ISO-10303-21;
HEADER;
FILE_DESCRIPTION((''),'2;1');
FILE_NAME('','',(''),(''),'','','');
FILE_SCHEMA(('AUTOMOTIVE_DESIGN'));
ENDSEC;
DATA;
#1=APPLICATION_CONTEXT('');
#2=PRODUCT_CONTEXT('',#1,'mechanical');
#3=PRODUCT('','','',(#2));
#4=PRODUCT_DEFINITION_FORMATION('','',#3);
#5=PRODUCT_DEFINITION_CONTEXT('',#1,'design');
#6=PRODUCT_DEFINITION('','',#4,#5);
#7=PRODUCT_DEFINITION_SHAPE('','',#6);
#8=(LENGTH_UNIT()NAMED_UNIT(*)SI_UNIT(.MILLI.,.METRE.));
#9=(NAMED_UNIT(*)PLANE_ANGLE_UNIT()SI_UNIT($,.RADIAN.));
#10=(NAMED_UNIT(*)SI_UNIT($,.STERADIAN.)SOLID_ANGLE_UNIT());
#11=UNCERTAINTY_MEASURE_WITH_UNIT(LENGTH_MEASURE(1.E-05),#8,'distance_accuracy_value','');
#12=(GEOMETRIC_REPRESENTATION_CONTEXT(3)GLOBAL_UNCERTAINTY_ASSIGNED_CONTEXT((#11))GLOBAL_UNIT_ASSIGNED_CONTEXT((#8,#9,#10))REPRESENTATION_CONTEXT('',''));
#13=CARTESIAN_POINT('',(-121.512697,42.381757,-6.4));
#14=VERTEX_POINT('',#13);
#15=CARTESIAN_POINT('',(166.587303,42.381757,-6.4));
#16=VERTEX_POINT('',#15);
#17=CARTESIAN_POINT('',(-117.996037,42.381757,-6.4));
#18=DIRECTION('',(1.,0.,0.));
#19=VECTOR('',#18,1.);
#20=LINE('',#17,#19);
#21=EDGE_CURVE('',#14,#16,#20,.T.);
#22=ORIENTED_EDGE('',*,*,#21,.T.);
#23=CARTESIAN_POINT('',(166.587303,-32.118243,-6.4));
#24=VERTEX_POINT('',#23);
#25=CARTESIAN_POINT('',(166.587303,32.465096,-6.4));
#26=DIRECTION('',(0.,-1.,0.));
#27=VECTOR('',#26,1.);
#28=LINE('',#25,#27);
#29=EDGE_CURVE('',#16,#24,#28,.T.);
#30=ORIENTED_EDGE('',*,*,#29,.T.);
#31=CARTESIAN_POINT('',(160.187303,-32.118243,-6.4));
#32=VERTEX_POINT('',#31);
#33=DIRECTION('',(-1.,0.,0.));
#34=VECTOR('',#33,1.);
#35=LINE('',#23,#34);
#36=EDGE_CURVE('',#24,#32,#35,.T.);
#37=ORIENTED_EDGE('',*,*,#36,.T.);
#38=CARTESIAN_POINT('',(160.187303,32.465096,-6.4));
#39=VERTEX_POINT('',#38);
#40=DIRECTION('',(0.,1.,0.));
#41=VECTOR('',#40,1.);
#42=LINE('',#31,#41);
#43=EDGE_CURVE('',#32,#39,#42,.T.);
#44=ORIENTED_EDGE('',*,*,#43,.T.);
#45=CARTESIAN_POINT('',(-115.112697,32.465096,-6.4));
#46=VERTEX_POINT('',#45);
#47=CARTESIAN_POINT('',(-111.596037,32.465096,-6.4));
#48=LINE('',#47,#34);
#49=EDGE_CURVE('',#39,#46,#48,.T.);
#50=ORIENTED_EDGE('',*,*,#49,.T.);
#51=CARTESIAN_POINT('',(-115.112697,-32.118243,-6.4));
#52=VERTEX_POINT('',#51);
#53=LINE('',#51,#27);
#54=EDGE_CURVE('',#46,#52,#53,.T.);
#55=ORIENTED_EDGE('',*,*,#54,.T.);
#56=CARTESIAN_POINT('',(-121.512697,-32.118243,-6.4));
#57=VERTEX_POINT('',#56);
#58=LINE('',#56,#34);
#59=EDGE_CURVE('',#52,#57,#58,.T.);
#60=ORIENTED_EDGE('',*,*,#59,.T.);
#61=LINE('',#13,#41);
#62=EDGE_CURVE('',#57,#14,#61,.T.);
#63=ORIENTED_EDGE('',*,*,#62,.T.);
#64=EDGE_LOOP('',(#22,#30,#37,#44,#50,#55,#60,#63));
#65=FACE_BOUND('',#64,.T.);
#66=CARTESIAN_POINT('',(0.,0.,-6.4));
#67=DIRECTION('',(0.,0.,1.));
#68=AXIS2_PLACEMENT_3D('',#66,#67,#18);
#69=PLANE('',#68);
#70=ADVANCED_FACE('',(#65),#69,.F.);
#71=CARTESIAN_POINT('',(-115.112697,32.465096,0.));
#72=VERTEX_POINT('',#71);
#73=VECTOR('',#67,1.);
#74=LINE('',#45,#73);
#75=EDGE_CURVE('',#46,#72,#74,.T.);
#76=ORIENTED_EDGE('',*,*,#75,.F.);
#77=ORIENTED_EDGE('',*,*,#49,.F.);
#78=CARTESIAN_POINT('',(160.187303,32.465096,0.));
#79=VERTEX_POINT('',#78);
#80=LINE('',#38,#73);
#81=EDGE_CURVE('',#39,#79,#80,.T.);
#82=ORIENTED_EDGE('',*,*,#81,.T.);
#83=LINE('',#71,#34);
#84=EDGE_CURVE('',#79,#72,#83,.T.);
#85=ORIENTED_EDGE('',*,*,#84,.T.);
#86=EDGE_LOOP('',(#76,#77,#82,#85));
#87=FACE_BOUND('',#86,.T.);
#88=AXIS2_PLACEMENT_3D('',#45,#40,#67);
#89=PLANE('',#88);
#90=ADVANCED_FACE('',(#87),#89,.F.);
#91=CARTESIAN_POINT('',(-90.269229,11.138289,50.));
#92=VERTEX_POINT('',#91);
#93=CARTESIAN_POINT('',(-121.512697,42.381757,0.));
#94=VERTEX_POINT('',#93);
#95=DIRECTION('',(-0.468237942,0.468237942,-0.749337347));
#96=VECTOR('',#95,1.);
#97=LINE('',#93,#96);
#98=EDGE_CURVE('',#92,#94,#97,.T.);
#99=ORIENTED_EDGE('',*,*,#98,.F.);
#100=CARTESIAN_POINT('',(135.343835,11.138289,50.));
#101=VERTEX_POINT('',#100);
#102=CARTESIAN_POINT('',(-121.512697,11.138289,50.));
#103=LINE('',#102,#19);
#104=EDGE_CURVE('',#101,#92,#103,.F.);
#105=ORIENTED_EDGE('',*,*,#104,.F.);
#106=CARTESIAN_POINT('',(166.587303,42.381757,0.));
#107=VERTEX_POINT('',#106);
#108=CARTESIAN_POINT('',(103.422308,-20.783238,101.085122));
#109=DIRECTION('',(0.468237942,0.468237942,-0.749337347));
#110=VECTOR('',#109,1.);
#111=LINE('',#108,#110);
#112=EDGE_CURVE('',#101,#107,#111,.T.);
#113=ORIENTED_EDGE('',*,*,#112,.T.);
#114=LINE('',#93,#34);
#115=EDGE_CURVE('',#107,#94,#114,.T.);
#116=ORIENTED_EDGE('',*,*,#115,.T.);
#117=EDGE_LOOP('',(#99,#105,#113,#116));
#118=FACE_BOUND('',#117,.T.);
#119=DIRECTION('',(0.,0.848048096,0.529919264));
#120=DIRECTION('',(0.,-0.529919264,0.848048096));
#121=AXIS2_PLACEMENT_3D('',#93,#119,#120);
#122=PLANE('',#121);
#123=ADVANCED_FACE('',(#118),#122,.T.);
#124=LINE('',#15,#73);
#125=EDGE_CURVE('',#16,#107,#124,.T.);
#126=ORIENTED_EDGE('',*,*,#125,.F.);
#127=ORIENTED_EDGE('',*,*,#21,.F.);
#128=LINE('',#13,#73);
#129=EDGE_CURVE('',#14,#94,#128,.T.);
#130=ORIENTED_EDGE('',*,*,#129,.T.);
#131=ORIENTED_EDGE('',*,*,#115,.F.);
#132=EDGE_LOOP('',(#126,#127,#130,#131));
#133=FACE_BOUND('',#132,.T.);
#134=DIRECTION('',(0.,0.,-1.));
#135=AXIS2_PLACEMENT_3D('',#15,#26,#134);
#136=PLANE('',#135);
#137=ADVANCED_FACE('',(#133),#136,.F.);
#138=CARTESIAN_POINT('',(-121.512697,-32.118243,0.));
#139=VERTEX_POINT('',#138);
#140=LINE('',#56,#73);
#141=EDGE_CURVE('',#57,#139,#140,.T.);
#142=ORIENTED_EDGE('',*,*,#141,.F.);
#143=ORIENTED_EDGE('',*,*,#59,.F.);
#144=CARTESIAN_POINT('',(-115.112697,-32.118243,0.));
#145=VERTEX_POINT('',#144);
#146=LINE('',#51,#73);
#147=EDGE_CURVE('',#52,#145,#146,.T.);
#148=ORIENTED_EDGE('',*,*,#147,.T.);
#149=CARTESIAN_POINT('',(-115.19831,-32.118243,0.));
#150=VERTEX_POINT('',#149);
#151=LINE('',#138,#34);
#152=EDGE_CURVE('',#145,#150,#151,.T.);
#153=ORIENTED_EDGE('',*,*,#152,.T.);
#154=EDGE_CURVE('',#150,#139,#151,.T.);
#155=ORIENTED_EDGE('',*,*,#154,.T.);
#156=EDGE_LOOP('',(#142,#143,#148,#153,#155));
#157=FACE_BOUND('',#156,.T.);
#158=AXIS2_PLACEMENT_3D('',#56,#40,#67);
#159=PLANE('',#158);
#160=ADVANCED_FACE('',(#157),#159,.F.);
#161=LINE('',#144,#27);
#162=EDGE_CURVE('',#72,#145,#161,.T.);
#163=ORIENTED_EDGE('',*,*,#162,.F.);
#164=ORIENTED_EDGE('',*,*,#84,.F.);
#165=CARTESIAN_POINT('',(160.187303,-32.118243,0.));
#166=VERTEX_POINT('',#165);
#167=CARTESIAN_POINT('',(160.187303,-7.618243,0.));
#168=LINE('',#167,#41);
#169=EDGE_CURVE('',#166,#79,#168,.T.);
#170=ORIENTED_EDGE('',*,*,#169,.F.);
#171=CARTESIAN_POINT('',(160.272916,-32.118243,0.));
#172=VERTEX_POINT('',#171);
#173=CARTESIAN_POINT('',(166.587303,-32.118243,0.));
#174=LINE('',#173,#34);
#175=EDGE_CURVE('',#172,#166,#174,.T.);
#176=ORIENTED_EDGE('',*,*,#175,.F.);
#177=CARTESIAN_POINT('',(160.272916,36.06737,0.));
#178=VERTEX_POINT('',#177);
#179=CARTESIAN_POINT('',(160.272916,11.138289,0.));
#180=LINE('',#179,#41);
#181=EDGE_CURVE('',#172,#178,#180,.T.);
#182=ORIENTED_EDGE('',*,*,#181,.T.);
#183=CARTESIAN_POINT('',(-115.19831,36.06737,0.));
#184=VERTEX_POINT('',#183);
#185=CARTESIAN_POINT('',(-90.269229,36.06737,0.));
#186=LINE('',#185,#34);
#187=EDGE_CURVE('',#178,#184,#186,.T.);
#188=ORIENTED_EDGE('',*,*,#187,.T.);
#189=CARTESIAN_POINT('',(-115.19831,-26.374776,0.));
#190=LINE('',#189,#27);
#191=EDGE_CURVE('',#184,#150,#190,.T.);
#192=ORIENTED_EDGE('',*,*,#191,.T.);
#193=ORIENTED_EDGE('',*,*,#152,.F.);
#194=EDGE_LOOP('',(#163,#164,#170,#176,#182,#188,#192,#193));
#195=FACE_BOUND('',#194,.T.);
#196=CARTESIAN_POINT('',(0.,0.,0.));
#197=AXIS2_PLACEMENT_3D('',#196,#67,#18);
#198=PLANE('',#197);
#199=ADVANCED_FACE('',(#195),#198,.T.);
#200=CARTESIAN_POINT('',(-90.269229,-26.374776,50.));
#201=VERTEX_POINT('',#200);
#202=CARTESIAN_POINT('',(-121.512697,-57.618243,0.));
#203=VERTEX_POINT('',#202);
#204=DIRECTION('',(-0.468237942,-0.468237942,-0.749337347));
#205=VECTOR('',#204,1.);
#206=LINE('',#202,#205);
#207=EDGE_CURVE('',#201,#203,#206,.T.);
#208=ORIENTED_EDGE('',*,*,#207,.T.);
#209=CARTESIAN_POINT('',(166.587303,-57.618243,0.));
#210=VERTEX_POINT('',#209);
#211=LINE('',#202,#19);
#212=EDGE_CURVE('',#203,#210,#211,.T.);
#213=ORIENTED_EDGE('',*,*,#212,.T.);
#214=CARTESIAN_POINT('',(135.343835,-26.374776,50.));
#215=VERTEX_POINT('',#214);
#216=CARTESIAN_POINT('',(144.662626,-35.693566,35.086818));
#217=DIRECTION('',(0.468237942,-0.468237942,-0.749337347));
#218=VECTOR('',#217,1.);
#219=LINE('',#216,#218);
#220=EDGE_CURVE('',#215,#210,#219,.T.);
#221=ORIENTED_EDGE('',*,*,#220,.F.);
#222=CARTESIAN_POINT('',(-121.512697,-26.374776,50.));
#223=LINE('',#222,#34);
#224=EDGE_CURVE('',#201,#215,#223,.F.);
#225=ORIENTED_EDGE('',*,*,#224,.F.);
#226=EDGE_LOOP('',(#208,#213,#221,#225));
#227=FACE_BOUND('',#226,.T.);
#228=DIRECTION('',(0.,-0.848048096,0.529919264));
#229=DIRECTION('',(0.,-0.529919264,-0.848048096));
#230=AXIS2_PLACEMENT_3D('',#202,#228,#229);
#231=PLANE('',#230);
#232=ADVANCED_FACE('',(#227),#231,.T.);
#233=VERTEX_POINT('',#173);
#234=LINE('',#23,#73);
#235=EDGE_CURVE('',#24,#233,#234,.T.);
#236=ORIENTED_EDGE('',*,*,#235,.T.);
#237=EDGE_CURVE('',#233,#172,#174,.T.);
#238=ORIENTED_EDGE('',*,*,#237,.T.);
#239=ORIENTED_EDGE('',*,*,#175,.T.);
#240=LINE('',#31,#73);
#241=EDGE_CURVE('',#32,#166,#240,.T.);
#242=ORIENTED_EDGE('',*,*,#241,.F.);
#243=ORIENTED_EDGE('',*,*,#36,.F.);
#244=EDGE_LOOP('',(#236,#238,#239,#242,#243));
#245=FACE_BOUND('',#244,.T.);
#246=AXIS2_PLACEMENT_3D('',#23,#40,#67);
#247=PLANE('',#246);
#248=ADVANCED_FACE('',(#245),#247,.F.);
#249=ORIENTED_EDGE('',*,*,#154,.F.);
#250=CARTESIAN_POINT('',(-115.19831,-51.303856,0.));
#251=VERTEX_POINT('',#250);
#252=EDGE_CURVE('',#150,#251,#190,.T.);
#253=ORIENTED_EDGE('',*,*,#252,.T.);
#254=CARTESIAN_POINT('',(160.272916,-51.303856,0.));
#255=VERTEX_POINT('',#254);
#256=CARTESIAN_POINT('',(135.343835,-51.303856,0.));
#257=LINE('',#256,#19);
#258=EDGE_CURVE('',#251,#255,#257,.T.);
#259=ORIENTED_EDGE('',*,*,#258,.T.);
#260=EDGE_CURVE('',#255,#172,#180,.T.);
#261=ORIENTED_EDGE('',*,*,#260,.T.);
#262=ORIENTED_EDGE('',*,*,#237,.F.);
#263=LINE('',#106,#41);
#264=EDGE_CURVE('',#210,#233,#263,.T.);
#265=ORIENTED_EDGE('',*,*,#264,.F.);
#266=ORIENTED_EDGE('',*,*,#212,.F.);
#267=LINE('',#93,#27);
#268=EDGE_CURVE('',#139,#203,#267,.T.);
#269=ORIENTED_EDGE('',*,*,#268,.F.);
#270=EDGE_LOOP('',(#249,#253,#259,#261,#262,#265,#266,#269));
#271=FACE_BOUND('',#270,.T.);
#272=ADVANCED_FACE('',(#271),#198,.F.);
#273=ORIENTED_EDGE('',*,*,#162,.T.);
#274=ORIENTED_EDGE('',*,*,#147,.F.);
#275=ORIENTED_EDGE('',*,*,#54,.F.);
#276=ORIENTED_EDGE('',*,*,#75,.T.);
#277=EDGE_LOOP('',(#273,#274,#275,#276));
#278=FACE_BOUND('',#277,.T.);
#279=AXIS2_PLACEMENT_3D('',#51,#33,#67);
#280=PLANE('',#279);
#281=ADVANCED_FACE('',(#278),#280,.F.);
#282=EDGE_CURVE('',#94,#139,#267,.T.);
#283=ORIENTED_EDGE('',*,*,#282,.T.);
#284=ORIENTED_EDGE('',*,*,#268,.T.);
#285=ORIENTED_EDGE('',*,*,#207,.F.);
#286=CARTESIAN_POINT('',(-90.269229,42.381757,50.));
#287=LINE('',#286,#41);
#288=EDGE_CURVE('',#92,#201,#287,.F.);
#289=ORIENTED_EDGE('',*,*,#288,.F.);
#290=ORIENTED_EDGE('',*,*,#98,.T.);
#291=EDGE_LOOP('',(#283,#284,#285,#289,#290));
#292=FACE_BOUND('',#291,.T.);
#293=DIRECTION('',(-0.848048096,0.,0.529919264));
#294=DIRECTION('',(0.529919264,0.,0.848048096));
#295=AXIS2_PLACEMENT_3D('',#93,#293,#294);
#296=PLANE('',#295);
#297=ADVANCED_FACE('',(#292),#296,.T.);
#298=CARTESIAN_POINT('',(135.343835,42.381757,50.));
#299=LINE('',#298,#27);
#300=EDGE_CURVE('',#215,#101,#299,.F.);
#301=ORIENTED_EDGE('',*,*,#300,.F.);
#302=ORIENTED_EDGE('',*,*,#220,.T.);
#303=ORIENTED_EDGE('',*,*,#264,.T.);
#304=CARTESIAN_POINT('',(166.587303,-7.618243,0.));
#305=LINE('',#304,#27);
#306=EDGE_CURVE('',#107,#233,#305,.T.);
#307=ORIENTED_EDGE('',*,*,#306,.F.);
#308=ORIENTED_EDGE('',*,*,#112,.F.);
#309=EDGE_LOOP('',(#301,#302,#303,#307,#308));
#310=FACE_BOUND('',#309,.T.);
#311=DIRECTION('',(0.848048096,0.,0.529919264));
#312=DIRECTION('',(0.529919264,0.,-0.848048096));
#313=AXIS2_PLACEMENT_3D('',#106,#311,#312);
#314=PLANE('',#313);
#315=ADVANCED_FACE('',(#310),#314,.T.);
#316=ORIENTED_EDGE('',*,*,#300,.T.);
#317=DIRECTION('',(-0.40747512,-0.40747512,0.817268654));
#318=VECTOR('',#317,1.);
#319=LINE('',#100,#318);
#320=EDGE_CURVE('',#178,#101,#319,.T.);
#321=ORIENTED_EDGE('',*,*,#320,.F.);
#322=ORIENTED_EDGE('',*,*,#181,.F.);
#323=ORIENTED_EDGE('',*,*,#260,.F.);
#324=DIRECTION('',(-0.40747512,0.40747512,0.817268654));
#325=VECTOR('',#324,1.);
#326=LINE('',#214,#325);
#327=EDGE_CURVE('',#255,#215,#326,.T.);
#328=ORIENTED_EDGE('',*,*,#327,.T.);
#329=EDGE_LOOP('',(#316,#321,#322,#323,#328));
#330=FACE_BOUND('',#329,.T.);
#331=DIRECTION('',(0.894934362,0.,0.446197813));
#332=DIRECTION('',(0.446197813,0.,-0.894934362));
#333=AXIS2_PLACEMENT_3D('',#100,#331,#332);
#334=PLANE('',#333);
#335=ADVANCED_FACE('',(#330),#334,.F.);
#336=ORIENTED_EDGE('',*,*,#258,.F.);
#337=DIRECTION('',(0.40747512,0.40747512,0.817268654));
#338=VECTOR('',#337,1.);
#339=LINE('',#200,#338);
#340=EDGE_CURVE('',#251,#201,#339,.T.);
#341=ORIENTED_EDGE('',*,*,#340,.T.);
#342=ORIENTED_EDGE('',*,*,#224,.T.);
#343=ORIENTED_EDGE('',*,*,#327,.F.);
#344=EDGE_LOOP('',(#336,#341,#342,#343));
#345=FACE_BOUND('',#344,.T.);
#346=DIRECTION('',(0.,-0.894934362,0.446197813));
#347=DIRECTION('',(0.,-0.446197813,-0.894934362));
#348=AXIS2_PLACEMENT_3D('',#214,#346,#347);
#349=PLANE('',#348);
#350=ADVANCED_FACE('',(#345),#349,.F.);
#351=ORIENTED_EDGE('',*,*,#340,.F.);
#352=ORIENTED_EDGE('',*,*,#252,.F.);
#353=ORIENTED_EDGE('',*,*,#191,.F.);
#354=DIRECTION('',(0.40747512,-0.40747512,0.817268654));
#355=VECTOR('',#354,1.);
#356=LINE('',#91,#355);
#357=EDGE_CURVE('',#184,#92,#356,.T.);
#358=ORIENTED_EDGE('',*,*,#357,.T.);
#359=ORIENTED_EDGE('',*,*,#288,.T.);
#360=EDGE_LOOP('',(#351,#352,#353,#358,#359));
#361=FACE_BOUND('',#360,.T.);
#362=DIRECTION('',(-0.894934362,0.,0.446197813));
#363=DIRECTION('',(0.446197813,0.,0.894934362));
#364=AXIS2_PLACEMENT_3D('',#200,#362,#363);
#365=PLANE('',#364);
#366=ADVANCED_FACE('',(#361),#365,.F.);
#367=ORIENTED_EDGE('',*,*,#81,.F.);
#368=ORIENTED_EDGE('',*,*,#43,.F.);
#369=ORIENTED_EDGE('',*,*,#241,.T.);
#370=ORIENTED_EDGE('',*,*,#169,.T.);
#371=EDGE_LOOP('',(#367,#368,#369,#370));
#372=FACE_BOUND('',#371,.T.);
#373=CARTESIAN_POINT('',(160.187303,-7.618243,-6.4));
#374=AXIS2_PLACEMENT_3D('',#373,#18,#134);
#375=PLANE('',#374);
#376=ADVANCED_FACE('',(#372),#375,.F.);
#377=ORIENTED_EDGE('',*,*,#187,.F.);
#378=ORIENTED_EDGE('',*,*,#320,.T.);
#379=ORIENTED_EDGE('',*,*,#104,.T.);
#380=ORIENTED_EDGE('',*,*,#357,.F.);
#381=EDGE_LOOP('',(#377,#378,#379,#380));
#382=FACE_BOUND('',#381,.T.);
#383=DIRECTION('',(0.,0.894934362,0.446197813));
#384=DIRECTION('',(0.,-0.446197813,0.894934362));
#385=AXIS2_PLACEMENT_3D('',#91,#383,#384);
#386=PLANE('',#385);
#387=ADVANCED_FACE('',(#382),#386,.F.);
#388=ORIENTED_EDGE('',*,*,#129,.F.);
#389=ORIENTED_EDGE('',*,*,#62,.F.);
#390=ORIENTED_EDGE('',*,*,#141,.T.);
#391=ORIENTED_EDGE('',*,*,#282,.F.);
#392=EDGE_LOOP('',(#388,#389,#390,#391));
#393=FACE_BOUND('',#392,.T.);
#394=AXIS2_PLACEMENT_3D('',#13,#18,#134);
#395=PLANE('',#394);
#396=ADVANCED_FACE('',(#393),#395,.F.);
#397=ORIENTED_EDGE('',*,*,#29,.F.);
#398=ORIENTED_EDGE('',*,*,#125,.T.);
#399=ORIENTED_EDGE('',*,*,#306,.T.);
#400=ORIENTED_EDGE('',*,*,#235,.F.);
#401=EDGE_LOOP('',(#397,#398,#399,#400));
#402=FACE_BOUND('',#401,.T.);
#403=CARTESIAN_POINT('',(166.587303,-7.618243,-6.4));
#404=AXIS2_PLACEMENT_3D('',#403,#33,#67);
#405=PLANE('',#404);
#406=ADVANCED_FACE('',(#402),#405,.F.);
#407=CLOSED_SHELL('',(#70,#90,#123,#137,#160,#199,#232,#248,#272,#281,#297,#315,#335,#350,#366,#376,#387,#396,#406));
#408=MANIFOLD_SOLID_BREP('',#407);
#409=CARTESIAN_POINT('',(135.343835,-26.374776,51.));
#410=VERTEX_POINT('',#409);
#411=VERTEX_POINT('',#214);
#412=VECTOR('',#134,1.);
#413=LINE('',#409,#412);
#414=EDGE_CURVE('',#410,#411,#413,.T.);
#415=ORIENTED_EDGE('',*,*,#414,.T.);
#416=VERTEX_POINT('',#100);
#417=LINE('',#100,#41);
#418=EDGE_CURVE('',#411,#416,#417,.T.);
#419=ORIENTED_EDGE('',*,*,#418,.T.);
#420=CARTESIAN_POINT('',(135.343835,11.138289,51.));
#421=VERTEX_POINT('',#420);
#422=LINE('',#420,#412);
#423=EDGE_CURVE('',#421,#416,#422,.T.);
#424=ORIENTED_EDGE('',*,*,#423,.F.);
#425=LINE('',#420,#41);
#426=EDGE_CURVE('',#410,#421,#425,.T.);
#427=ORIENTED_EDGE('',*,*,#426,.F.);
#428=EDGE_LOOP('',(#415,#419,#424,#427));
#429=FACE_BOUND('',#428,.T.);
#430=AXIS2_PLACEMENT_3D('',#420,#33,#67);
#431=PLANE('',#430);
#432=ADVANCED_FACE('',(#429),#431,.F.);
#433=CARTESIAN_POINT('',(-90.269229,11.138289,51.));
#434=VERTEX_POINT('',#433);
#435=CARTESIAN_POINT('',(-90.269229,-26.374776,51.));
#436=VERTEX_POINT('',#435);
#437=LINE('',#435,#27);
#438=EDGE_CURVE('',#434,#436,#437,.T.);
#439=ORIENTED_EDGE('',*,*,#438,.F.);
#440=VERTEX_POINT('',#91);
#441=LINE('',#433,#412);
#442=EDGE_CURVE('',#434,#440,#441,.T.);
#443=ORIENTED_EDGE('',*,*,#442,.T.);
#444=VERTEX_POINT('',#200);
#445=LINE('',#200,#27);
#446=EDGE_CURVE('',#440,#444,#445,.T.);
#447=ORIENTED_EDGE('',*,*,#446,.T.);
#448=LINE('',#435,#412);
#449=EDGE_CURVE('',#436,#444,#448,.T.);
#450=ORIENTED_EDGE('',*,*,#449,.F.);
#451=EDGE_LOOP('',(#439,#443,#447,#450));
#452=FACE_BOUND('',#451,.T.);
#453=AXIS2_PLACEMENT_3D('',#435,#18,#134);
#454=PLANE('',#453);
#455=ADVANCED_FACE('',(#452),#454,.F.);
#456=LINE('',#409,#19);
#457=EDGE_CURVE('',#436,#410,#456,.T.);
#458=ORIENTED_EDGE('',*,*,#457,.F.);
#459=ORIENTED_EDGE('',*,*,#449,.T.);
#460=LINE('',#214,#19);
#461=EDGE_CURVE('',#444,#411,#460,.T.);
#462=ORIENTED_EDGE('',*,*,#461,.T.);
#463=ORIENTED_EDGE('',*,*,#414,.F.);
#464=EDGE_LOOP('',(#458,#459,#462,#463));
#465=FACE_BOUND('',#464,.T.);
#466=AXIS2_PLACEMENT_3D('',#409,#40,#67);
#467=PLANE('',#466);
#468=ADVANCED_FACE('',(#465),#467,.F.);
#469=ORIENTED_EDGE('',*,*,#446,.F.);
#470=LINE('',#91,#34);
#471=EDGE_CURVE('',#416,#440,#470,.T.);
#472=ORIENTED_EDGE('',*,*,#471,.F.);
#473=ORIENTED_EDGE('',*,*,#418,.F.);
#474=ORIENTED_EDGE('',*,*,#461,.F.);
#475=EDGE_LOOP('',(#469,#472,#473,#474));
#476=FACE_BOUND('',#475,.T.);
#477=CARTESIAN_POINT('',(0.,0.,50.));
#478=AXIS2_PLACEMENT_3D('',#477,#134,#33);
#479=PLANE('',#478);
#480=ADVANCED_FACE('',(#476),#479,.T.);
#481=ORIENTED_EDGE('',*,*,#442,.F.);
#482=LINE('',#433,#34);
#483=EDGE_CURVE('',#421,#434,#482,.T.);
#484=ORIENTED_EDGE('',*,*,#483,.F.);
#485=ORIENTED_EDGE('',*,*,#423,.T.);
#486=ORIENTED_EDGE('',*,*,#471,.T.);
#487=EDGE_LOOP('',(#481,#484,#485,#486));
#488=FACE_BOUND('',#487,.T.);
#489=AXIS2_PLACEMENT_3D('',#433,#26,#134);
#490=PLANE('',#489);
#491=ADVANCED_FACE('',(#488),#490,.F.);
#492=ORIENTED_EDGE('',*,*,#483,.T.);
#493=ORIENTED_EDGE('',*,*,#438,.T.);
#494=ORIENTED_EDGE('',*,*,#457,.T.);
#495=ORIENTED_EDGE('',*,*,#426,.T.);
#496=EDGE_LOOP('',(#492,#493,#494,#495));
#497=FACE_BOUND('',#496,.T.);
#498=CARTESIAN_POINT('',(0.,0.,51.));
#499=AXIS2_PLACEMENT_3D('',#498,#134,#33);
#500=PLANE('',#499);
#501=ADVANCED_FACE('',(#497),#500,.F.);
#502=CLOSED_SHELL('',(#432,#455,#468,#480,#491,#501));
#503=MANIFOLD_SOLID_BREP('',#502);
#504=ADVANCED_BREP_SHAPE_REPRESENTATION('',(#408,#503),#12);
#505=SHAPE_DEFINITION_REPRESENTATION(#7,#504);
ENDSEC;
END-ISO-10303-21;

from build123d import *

# Parameters (mm, degrees)
SKETCH1_W           = 288.1
SKETCH1_H           = 100
BOSS_EXTRUDE1_DEPTH = 50
BOSS_EXTRUDE1_TAPER = 32
SKETCH2_W           = 225.613064809
SKETCH2_H           = 37.513064809
CUT_EXTRUDE1_DEPTH  = 50
CUT_EXTRUDE1_TAPER  = -26.5
BOSS_EXTRUDE2_DEPTH = 6.4
SKETCH5_W           = 225.613064809
SKETCH5_H           = 37.513064809
BOSS_EXTRUDE3_DEPTH = 1


with BuildPart() as part:
    # Sketch1 → Boss-Extrude1 (new body)
    with BuildSketch(Plane.XY):
        with Locations((22.537303057, -7.618243287)):
            Rectangle(SKETCH1_W, SKETCH1_H)
    extrude(amount=BOSS_EXTRUDE1_DEPTH, taper=BOSS_EXTRUDE1_TAPER)

    # Sketch2 → Cut-Extrude1 (cut)
    with BuildSketch(Plane.XY.offset(50)):
        with Locations((22.537303058, -7.618243286)):
            Rectangle(SKETCH2_W, SKETCH2_H)
    extrude(amount=-CUT_EXTRUDE1_DEPTH, taper=CUT_EXTRUDE1_TAPER, mode=Mode.SUBTRACT)

    # Sketch3 → Boss-Extrude2 (add)
    with BuildSketch(Plane(origin=(0, 0, 0), x_dir=(-1, 0, 0), z_dir=(0, 0, -1))):
        Polygon((-166.587303057, 42.381756713), (117.996036654, 42.381756713), (121.512696943, 42.381756713), (121.512696943, -32.118243287), (115.112696943, -32.118243287), (115.112696943, 32.465096425), (111.596036654, 32.465096425), (-160.187303057, 32.465096425), (-160.187303057, -7.618243287), (-160.187303057, -32.118243287), (-166.587303057, -32.118243287), (-166.587303057, -7.618243287), (-166.587303057, 32.465096425), align=None)
    extrude(amount=BOSS_EXTRUDE2_DEPTH)


with BuildPart() as body_2:
    # Sketch5 → Boss-Extrude3 (new body)
    with BuildSketch(Plane.XY.offset(50)):
        with Locations((22.537303058, -7.618243286)):
            Rectangle(SKETCH5_W, SKETCH5_H)
    extrude(amount=BOSS_EXTRUDE3_DEPTH)


solid = Compound([part.part, body_2.part])
